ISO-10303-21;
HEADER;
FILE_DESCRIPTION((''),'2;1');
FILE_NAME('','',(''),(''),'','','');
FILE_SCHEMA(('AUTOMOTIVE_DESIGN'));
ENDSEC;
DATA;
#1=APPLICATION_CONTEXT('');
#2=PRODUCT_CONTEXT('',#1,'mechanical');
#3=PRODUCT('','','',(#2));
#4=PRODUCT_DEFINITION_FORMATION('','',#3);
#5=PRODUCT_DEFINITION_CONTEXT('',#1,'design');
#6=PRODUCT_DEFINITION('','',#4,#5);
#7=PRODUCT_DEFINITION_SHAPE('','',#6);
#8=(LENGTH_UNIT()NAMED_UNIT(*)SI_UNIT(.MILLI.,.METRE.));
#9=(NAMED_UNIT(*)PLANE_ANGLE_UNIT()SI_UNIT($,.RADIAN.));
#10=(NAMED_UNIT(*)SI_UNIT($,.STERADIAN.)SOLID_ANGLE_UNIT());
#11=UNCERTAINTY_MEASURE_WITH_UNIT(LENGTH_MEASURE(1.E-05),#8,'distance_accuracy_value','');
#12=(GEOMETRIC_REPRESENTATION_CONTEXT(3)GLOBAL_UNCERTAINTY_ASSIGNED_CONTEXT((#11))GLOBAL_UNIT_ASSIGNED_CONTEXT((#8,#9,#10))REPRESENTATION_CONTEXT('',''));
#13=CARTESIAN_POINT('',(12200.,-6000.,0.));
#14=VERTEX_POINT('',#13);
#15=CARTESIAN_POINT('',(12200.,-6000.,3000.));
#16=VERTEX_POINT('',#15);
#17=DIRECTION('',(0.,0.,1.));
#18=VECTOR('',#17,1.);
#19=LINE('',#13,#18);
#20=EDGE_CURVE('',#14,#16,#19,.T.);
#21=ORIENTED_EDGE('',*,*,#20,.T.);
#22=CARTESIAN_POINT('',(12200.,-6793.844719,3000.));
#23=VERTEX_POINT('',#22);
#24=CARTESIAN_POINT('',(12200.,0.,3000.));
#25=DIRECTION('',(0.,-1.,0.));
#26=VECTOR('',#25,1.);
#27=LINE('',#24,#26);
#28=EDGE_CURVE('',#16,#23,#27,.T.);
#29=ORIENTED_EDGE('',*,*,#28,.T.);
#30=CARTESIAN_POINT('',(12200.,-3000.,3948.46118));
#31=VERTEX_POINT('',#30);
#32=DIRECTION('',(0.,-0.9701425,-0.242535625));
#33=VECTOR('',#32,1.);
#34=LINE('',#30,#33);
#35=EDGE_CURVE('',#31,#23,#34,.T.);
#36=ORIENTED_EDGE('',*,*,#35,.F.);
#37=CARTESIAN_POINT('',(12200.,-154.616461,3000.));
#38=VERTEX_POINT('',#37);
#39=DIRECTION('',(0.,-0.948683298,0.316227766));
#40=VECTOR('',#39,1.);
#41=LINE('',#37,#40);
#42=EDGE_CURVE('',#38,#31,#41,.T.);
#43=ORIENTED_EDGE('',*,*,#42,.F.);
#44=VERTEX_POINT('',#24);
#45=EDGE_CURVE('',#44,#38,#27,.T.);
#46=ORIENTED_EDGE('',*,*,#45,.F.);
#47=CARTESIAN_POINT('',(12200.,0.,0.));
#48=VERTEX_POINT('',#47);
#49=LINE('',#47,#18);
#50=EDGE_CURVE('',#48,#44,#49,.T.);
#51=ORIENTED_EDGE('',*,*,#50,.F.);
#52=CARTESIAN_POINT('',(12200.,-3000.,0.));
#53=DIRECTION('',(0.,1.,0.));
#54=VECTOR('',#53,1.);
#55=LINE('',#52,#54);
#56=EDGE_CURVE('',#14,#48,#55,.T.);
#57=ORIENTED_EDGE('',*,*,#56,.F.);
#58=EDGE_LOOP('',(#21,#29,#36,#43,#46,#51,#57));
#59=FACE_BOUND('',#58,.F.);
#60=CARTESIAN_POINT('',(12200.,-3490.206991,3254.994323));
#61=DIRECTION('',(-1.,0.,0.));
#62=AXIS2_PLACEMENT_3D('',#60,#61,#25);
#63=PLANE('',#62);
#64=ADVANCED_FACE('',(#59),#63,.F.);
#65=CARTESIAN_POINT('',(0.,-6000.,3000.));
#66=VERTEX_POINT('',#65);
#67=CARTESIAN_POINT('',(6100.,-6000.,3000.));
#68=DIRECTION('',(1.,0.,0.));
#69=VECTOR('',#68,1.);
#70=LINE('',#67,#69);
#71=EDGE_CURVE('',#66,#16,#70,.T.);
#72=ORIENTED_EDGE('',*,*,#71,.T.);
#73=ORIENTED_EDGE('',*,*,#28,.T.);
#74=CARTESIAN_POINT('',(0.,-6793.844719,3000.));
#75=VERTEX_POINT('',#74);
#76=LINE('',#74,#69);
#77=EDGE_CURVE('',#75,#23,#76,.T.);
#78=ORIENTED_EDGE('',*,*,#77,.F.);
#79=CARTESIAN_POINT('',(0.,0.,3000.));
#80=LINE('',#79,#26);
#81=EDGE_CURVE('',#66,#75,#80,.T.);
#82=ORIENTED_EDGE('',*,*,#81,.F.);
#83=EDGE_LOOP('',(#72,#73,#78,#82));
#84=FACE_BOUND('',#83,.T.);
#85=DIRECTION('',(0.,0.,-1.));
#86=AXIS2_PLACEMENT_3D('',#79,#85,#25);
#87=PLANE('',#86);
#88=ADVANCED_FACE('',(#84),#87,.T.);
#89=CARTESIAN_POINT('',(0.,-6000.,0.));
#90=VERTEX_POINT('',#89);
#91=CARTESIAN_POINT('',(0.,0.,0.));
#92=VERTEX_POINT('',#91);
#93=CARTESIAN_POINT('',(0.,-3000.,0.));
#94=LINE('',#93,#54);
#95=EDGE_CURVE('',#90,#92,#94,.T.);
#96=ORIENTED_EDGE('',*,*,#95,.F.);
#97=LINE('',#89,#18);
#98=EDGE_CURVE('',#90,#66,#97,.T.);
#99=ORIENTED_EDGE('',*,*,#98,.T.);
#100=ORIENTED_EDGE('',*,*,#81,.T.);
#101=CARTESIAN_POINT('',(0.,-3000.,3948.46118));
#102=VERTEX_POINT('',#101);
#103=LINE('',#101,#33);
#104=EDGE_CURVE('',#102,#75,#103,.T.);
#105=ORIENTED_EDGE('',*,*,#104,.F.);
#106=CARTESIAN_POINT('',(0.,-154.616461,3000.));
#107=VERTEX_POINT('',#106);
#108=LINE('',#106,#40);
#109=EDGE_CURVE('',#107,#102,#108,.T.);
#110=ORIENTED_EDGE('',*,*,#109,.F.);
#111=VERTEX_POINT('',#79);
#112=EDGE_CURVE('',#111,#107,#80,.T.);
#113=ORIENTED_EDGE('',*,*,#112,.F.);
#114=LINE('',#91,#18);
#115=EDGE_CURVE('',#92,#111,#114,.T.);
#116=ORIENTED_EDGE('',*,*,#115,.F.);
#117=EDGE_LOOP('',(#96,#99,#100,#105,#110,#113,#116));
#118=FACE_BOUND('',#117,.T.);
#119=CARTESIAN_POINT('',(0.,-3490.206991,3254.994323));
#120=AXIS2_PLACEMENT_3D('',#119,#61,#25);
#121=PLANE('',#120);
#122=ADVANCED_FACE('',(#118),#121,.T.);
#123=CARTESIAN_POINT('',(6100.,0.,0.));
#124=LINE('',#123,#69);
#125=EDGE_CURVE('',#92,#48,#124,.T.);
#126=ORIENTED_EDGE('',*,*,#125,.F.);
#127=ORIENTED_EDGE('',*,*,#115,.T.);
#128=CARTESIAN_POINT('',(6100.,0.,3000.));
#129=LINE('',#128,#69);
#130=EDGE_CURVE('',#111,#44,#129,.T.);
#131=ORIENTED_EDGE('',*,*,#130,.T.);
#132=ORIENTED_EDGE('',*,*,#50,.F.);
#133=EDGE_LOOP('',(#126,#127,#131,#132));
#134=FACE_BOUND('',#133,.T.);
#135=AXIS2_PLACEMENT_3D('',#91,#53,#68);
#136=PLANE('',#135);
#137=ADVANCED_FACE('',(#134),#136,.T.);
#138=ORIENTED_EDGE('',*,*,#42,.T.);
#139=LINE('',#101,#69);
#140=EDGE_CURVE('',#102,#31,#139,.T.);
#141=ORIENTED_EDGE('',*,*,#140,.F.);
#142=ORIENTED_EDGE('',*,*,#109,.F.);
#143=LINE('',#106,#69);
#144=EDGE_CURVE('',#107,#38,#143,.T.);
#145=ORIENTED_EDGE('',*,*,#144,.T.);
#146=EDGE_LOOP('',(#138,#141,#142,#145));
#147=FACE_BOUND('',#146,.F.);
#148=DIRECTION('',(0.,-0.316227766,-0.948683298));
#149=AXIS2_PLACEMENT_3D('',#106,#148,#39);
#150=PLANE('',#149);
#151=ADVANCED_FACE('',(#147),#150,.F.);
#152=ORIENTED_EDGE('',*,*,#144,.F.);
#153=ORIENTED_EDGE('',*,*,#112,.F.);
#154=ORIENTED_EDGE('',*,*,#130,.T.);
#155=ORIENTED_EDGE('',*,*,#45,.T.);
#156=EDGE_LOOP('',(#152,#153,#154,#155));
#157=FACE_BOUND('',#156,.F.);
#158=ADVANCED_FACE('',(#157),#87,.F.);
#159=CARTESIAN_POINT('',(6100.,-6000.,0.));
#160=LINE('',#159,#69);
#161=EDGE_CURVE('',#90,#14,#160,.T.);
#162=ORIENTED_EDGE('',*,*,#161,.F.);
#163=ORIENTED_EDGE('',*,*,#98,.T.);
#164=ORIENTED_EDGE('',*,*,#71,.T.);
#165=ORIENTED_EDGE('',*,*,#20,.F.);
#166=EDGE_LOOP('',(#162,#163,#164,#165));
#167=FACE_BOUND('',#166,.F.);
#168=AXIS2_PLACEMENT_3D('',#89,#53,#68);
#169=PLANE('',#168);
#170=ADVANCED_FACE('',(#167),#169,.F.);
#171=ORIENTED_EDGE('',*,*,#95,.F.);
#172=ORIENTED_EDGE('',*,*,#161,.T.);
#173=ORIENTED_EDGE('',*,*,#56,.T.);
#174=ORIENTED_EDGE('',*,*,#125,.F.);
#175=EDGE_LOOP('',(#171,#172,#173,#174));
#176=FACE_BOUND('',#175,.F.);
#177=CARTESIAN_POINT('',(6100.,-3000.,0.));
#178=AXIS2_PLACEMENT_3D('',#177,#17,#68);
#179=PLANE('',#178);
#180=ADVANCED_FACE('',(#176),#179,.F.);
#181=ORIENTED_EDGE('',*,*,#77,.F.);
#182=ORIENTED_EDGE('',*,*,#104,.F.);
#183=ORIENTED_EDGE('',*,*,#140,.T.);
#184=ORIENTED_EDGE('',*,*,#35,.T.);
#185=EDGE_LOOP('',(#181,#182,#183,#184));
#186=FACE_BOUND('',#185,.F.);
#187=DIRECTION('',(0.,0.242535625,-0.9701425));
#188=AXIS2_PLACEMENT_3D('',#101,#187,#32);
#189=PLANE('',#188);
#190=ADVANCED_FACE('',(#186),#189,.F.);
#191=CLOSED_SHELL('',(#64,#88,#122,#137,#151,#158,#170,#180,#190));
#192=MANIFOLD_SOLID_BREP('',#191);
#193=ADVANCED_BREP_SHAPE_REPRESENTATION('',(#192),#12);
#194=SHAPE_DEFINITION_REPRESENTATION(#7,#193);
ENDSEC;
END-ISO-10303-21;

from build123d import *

# Parameters (mm, degrees)
F0_W     = 12200
F0_H     = 6000
F1_DEPTH = 3000
F3_DEPTH = 12200
F5_DEPTH = 12200


with BuildPart() as f1:
    # F0 (on Top) → F1 (new body)
    with BuildSketch(Plane.XY):
        with Locations((6100, -3000)):
            Rectangle(F0_W, F0_H)
    extrude(amount=F1_DEPTH)

    # F2 (on face) → F3 (join)
    with BuildSketch(Plane(origin=(0, 0, 0), x_dir=(0, -1, 0), z_dir=(-1, 0, 0))):
        Polygon((3000, 4000), (0, 3000), (7000, 3000), align=None)
    extrude(amount=-F3_DEPTH)

    # F4 (on face) → F5 (cut)
    with BuildSketch(Plane(origin=(0, 0, 0), x_dir=(0, -1, 0), z_dir=(-1, 0, 0))):
        Polygon((3000, 4000), (0, 3000), (154.616461, 3000), (3000, 3948.46118), (6793.844719, 3000), (7000, 3000), align=None)
    extrude(amount=-F5_DEPTH, mode=Mode.SUBTRACT)


solid = f1.part
